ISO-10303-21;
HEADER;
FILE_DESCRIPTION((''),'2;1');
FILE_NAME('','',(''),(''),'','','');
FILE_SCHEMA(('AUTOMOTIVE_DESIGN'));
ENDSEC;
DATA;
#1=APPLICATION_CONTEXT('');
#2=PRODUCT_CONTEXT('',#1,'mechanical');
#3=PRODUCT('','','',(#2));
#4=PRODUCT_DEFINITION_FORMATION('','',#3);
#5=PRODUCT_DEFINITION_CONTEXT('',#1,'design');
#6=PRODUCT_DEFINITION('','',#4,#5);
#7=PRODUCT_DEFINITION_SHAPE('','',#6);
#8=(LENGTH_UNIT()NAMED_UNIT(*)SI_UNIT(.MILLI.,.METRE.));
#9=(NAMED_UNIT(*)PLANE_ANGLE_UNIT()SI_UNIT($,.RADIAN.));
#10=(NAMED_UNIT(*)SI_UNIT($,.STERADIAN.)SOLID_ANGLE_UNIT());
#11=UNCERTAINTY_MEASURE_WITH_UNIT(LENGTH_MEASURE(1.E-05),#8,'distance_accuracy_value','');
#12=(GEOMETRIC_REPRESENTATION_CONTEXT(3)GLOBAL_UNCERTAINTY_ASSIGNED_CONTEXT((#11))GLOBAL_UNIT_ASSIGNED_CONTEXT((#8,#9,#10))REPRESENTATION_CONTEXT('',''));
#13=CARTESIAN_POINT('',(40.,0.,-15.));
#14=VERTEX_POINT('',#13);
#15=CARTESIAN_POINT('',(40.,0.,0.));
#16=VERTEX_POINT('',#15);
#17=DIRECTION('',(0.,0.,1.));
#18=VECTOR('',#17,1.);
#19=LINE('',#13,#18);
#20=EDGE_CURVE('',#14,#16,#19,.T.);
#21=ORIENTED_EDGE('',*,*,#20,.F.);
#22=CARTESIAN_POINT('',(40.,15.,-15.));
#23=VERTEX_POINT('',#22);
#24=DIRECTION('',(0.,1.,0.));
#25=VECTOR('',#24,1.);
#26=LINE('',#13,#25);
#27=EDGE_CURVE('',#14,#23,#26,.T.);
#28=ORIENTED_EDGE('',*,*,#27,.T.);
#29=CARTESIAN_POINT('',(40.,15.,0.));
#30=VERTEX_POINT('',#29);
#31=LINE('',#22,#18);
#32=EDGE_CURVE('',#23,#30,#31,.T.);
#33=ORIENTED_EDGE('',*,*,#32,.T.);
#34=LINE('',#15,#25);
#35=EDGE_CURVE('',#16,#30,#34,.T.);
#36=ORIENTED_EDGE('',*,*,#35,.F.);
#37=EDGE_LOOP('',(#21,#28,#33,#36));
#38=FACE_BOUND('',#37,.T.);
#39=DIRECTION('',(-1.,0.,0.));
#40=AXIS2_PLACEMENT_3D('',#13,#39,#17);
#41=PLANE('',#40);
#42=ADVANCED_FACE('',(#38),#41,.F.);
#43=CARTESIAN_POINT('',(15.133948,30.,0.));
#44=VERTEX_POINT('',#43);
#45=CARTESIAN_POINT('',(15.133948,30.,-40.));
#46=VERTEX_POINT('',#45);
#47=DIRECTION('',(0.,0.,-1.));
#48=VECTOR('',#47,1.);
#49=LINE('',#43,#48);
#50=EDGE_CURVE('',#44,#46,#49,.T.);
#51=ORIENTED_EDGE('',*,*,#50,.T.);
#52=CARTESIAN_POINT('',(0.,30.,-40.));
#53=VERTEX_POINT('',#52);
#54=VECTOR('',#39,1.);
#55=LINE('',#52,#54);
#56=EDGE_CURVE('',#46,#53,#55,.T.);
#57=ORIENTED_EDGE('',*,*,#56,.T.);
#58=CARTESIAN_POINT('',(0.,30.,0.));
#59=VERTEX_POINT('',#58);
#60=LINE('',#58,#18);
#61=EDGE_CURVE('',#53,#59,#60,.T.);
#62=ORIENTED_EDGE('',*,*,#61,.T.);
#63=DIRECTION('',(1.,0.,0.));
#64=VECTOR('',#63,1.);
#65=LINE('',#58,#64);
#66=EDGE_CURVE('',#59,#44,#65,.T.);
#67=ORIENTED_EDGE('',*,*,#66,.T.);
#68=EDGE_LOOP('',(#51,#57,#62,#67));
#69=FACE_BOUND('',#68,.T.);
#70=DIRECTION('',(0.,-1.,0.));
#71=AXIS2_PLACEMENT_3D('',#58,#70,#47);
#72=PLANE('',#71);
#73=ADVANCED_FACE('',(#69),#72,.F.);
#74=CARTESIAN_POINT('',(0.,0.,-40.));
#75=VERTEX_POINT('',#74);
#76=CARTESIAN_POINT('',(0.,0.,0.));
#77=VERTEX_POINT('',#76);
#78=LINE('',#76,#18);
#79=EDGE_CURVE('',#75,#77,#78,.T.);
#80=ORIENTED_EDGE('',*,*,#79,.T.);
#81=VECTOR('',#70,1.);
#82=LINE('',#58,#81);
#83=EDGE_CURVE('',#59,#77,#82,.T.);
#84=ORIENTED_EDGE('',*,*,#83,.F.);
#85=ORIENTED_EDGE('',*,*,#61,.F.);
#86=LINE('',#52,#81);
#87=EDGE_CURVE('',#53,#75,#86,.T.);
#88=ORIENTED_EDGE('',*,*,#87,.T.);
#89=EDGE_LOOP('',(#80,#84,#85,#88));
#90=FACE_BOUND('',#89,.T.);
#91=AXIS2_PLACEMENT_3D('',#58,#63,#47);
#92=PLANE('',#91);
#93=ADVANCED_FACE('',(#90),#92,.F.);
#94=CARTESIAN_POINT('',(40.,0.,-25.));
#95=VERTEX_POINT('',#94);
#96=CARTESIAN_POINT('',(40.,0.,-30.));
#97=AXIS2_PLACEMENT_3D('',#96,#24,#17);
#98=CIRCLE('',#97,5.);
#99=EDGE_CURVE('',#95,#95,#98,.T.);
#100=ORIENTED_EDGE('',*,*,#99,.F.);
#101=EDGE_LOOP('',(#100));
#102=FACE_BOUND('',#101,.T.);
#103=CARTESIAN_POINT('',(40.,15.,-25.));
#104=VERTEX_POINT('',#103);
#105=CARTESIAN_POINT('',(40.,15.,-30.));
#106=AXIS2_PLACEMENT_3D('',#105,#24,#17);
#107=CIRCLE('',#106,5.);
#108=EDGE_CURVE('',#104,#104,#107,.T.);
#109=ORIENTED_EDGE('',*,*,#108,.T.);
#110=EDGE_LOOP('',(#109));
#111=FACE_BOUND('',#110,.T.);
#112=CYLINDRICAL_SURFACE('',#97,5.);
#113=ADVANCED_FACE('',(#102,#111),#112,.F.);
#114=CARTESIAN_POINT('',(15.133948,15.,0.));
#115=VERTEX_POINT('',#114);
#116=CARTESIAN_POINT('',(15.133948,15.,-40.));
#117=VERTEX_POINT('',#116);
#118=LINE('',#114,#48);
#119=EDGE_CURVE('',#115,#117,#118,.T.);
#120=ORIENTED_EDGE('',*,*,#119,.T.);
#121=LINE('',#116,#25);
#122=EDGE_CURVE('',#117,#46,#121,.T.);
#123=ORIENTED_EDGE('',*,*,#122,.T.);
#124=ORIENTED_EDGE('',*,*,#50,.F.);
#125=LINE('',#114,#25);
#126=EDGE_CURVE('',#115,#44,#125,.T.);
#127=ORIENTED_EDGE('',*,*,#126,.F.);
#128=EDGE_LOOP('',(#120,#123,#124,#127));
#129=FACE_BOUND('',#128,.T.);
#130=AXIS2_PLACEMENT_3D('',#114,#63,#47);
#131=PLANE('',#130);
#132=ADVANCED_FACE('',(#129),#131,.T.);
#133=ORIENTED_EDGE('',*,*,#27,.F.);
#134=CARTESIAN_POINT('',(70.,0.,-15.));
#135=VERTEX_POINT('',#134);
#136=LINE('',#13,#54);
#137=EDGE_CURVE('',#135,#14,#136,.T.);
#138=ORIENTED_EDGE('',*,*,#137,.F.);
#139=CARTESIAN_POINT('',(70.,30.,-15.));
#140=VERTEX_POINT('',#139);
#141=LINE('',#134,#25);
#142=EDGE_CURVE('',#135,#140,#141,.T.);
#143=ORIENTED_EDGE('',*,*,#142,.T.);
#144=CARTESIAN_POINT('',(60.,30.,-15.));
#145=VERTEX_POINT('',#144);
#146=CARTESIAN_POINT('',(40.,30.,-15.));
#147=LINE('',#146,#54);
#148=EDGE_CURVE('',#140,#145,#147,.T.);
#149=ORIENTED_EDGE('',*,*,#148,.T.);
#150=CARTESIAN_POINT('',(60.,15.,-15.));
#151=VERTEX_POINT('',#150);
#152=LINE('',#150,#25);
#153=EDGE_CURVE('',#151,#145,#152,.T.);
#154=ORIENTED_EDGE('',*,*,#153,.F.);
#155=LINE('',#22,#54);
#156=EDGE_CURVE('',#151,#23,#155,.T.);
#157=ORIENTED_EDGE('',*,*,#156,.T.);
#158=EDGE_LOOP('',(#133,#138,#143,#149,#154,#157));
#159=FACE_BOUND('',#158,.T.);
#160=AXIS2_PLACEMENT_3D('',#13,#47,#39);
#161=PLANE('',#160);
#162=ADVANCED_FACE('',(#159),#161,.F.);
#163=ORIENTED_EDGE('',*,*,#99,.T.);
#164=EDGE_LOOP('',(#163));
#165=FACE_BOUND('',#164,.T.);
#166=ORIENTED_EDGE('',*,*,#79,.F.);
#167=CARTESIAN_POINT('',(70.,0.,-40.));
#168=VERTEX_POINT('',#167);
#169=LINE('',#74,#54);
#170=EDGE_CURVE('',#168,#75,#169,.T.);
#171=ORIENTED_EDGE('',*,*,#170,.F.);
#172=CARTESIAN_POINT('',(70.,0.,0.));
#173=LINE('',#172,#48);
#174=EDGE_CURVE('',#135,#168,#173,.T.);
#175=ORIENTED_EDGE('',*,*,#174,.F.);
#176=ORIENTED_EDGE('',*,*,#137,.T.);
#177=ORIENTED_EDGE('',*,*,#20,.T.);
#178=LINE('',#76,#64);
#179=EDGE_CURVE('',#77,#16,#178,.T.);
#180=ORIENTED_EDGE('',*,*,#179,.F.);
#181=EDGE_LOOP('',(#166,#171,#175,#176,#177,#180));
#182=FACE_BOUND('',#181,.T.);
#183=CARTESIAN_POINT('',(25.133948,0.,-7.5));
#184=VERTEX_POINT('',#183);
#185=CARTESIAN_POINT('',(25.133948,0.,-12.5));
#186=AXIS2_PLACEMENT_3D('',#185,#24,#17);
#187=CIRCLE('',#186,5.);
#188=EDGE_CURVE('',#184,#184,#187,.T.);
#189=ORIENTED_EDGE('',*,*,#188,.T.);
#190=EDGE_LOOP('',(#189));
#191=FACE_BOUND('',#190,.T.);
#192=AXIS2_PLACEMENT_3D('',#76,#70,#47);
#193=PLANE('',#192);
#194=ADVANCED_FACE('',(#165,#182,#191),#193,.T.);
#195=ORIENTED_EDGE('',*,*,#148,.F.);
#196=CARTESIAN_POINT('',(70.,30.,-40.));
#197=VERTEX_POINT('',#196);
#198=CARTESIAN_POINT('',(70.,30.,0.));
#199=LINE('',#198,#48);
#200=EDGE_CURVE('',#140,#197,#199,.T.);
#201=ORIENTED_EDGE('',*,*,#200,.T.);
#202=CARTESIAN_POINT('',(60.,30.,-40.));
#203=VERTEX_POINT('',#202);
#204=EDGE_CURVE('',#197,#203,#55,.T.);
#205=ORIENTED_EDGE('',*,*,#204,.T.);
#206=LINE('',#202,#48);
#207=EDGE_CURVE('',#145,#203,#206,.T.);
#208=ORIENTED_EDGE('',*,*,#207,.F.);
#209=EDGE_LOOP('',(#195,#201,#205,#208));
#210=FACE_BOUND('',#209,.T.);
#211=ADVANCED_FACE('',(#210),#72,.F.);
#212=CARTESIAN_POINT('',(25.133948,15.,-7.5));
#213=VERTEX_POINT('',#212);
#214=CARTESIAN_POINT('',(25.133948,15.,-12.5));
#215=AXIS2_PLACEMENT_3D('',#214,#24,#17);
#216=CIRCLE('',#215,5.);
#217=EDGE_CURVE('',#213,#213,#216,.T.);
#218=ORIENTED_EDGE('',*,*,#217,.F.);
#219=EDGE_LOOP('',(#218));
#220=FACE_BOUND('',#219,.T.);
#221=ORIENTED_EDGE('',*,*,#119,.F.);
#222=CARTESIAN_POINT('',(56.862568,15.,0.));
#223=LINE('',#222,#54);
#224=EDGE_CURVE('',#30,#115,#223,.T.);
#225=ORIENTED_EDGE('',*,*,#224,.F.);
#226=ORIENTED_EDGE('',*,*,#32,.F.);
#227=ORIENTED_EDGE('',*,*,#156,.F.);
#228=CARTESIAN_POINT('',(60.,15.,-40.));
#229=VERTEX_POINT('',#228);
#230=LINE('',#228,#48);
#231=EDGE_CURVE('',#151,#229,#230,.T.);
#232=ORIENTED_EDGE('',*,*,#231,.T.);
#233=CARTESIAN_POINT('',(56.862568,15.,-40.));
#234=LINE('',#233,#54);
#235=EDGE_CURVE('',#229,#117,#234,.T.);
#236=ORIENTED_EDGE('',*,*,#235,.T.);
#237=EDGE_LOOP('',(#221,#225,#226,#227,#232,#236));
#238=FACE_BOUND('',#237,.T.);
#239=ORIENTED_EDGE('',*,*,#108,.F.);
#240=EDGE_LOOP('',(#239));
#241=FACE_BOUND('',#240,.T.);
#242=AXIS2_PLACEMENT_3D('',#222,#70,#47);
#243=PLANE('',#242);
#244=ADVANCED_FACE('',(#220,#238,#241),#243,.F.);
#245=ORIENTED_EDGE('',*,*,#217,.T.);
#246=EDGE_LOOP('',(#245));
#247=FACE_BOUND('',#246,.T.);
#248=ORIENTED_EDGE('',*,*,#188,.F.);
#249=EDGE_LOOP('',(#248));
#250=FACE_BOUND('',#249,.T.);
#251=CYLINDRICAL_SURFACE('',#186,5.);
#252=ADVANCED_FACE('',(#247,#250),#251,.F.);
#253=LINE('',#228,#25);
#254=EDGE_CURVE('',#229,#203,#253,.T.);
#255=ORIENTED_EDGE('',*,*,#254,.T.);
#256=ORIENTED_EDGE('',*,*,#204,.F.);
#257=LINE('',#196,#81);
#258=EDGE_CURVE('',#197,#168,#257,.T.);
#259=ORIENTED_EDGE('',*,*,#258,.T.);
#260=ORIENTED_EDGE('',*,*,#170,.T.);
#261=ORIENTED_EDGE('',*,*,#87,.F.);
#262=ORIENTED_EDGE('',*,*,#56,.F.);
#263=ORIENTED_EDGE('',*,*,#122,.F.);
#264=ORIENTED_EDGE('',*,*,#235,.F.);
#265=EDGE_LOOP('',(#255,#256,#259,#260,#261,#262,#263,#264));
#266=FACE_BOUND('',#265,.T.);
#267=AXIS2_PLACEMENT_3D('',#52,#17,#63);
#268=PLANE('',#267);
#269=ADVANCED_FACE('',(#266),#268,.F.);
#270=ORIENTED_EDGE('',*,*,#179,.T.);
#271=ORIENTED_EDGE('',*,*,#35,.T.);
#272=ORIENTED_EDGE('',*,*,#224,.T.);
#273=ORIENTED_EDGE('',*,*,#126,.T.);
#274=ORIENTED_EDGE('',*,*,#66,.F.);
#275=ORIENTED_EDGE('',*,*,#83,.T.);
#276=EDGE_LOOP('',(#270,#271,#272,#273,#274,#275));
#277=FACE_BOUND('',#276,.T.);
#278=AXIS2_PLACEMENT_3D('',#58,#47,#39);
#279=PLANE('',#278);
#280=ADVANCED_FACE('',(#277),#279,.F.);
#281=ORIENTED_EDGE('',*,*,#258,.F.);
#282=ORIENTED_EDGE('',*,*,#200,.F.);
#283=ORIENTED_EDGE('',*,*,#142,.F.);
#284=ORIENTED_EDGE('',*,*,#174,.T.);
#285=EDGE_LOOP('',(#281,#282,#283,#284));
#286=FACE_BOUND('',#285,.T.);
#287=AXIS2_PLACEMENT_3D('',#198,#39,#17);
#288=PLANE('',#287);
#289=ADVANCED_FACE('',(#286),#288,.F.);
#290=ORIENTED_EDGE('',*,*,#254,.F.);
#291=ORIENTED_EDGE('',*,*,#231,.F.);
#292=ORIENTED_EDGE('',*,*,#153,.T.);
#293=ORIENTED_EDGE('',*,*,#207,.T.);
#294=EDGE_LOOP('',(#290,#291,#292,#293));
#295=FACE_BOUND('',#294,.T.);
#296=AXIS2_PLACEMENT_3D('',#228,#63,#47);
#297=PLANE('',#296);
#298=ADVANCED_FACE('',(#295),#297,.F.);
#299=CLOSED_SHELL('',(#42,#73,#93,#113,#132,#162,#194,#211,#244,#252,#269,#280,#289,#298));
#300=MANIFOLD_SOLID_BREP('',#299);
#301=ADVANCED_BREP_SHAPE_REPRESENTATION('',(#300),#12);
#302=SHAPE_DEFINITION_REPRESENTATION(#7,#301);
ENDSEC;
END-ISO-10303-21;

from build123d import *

# Parameters (mm, degrees)
SKETCH1_W           = 70
SKETCH1_H           = 40
BOSS_EXTRUDE1_DEPTH = 30
SKETCH2_W           = 30
SKETCH2_H           = 15
CUT_EXTRUDE1_DEPTH  = 31
SKETCH3_W           = 45
SKETCH3_H           = 15
CUT_EXTRUDE2_DEPTH  = 41
SKETCH4_W           = 15.133947596
SKETCH4_H           = 40
BOSS_EXTRUDE2_DEPTH = 15
SKETCH6_R           = 5
CUT_EXTRUDE3_DEPTH  = 16
SKETCH7_R           = 5
CUT_EXTRUDE4_DEPTH  = 16
SKETCH8_W           = 3.137431518
SKETCH8_H           = 25
CUT_EXTRUDE5_DEPTH  = 15


with BuildPart() as part:
    # Sketch1 → Boss-Extrude1 (new body)
    with BuildSketch(Plane(origin=(0, 0, 0), x_dir=(1, 0, 0), z_dir=(0, 1, 0))):
        with Locations((35, 20)):
            Rectangle(SKETCH1_W, SKETCH1_H)
    extrude(amount=BOSS_EXTRUDE1_DEPTH)

    # Sketch2 → Cut-Extrude1 (cut, through all)
    with BuildSketch(Plane(origin=(0, 30, 0), x_dir=(1, 0, 0), z_dir=(0, 1, 0))):
        with Locations((55, 7.5)):
            Rectangle(SKETCH2_W, SKETCH2_H)
    extrude(amount=-CUT_EXTRUDE1_DEPTH, mode=Mode.SUBTRACT)

    # Sketch3 → Cut-Extrude2 (cut, through all)
    with BuildSketch(Plane(origin=(0, 0, -40), x_dir=(-1, 0, 0), z_dir=(0, 0, -1))):
        with Locations((-34.362568482, 22.5)):
            Rectangle(SKETCH3_W, SKETCH3_H)
    extrude(amount=-CUT_EXTRUDE2_DEPTH, mode=Mode.SUBTRACT)

    # Sketch4 → Boss-Extrude2 (add)
    with BuildSketch(Plane(origin=(0, 30, 0), x_dir=(1, 0, 0), z_dir=(0, 1, 0))):
        with Locations((7.566973798, 20)):
            Rectangle(SKETCH4_W, SKETCH4_H)
    extrude(amount=-BOSS_EXTRUDE2_DEPTH)

    # Sketch6 → Cut-Extrude3 (cut, through all)
    with BuildSketch(Plane(origin=(0, 15, 0), x_dir=(1, 0, 0), z_dir=(0, 1, 0))):
        with Locations((40, 30)):
            Circle(SKETCH6_R)
    extrude(amount=-CUT_EXTRUDE3_DEPTH, mode=Mode.SUBTRACT)

    # Sketch7 → Cut-Extrude4 (cut, through all)
    with BuildSketch(Plane(origin=(0, 15, 0), x_dir=(1, 0, 0), z_dir=(0, 1, 0))):
        with Locations((25.133947596, 12.5)):
            Circle(SKETCH7_R)
    extrude(amount=-CUT_EXTRUDE4_DEPTH, mode=Mode.SUBTRACT)

    # Sketch8 → Cut-Extrude5 (cut)
    with BuildSketch(Plane(origin=(0, 30, 0), x_dir=(1, 0, 0), z_dir=(0, 1, 0))):
        with Locations((58.431284241, 27.5)):
            Rectangle(SKETCH8_W, SKETCH8_H)
    extrude(amount=-CUT_EXTRUDE5_DEPTH, mode=Mode.SUBTRACT)


solid = part.part
